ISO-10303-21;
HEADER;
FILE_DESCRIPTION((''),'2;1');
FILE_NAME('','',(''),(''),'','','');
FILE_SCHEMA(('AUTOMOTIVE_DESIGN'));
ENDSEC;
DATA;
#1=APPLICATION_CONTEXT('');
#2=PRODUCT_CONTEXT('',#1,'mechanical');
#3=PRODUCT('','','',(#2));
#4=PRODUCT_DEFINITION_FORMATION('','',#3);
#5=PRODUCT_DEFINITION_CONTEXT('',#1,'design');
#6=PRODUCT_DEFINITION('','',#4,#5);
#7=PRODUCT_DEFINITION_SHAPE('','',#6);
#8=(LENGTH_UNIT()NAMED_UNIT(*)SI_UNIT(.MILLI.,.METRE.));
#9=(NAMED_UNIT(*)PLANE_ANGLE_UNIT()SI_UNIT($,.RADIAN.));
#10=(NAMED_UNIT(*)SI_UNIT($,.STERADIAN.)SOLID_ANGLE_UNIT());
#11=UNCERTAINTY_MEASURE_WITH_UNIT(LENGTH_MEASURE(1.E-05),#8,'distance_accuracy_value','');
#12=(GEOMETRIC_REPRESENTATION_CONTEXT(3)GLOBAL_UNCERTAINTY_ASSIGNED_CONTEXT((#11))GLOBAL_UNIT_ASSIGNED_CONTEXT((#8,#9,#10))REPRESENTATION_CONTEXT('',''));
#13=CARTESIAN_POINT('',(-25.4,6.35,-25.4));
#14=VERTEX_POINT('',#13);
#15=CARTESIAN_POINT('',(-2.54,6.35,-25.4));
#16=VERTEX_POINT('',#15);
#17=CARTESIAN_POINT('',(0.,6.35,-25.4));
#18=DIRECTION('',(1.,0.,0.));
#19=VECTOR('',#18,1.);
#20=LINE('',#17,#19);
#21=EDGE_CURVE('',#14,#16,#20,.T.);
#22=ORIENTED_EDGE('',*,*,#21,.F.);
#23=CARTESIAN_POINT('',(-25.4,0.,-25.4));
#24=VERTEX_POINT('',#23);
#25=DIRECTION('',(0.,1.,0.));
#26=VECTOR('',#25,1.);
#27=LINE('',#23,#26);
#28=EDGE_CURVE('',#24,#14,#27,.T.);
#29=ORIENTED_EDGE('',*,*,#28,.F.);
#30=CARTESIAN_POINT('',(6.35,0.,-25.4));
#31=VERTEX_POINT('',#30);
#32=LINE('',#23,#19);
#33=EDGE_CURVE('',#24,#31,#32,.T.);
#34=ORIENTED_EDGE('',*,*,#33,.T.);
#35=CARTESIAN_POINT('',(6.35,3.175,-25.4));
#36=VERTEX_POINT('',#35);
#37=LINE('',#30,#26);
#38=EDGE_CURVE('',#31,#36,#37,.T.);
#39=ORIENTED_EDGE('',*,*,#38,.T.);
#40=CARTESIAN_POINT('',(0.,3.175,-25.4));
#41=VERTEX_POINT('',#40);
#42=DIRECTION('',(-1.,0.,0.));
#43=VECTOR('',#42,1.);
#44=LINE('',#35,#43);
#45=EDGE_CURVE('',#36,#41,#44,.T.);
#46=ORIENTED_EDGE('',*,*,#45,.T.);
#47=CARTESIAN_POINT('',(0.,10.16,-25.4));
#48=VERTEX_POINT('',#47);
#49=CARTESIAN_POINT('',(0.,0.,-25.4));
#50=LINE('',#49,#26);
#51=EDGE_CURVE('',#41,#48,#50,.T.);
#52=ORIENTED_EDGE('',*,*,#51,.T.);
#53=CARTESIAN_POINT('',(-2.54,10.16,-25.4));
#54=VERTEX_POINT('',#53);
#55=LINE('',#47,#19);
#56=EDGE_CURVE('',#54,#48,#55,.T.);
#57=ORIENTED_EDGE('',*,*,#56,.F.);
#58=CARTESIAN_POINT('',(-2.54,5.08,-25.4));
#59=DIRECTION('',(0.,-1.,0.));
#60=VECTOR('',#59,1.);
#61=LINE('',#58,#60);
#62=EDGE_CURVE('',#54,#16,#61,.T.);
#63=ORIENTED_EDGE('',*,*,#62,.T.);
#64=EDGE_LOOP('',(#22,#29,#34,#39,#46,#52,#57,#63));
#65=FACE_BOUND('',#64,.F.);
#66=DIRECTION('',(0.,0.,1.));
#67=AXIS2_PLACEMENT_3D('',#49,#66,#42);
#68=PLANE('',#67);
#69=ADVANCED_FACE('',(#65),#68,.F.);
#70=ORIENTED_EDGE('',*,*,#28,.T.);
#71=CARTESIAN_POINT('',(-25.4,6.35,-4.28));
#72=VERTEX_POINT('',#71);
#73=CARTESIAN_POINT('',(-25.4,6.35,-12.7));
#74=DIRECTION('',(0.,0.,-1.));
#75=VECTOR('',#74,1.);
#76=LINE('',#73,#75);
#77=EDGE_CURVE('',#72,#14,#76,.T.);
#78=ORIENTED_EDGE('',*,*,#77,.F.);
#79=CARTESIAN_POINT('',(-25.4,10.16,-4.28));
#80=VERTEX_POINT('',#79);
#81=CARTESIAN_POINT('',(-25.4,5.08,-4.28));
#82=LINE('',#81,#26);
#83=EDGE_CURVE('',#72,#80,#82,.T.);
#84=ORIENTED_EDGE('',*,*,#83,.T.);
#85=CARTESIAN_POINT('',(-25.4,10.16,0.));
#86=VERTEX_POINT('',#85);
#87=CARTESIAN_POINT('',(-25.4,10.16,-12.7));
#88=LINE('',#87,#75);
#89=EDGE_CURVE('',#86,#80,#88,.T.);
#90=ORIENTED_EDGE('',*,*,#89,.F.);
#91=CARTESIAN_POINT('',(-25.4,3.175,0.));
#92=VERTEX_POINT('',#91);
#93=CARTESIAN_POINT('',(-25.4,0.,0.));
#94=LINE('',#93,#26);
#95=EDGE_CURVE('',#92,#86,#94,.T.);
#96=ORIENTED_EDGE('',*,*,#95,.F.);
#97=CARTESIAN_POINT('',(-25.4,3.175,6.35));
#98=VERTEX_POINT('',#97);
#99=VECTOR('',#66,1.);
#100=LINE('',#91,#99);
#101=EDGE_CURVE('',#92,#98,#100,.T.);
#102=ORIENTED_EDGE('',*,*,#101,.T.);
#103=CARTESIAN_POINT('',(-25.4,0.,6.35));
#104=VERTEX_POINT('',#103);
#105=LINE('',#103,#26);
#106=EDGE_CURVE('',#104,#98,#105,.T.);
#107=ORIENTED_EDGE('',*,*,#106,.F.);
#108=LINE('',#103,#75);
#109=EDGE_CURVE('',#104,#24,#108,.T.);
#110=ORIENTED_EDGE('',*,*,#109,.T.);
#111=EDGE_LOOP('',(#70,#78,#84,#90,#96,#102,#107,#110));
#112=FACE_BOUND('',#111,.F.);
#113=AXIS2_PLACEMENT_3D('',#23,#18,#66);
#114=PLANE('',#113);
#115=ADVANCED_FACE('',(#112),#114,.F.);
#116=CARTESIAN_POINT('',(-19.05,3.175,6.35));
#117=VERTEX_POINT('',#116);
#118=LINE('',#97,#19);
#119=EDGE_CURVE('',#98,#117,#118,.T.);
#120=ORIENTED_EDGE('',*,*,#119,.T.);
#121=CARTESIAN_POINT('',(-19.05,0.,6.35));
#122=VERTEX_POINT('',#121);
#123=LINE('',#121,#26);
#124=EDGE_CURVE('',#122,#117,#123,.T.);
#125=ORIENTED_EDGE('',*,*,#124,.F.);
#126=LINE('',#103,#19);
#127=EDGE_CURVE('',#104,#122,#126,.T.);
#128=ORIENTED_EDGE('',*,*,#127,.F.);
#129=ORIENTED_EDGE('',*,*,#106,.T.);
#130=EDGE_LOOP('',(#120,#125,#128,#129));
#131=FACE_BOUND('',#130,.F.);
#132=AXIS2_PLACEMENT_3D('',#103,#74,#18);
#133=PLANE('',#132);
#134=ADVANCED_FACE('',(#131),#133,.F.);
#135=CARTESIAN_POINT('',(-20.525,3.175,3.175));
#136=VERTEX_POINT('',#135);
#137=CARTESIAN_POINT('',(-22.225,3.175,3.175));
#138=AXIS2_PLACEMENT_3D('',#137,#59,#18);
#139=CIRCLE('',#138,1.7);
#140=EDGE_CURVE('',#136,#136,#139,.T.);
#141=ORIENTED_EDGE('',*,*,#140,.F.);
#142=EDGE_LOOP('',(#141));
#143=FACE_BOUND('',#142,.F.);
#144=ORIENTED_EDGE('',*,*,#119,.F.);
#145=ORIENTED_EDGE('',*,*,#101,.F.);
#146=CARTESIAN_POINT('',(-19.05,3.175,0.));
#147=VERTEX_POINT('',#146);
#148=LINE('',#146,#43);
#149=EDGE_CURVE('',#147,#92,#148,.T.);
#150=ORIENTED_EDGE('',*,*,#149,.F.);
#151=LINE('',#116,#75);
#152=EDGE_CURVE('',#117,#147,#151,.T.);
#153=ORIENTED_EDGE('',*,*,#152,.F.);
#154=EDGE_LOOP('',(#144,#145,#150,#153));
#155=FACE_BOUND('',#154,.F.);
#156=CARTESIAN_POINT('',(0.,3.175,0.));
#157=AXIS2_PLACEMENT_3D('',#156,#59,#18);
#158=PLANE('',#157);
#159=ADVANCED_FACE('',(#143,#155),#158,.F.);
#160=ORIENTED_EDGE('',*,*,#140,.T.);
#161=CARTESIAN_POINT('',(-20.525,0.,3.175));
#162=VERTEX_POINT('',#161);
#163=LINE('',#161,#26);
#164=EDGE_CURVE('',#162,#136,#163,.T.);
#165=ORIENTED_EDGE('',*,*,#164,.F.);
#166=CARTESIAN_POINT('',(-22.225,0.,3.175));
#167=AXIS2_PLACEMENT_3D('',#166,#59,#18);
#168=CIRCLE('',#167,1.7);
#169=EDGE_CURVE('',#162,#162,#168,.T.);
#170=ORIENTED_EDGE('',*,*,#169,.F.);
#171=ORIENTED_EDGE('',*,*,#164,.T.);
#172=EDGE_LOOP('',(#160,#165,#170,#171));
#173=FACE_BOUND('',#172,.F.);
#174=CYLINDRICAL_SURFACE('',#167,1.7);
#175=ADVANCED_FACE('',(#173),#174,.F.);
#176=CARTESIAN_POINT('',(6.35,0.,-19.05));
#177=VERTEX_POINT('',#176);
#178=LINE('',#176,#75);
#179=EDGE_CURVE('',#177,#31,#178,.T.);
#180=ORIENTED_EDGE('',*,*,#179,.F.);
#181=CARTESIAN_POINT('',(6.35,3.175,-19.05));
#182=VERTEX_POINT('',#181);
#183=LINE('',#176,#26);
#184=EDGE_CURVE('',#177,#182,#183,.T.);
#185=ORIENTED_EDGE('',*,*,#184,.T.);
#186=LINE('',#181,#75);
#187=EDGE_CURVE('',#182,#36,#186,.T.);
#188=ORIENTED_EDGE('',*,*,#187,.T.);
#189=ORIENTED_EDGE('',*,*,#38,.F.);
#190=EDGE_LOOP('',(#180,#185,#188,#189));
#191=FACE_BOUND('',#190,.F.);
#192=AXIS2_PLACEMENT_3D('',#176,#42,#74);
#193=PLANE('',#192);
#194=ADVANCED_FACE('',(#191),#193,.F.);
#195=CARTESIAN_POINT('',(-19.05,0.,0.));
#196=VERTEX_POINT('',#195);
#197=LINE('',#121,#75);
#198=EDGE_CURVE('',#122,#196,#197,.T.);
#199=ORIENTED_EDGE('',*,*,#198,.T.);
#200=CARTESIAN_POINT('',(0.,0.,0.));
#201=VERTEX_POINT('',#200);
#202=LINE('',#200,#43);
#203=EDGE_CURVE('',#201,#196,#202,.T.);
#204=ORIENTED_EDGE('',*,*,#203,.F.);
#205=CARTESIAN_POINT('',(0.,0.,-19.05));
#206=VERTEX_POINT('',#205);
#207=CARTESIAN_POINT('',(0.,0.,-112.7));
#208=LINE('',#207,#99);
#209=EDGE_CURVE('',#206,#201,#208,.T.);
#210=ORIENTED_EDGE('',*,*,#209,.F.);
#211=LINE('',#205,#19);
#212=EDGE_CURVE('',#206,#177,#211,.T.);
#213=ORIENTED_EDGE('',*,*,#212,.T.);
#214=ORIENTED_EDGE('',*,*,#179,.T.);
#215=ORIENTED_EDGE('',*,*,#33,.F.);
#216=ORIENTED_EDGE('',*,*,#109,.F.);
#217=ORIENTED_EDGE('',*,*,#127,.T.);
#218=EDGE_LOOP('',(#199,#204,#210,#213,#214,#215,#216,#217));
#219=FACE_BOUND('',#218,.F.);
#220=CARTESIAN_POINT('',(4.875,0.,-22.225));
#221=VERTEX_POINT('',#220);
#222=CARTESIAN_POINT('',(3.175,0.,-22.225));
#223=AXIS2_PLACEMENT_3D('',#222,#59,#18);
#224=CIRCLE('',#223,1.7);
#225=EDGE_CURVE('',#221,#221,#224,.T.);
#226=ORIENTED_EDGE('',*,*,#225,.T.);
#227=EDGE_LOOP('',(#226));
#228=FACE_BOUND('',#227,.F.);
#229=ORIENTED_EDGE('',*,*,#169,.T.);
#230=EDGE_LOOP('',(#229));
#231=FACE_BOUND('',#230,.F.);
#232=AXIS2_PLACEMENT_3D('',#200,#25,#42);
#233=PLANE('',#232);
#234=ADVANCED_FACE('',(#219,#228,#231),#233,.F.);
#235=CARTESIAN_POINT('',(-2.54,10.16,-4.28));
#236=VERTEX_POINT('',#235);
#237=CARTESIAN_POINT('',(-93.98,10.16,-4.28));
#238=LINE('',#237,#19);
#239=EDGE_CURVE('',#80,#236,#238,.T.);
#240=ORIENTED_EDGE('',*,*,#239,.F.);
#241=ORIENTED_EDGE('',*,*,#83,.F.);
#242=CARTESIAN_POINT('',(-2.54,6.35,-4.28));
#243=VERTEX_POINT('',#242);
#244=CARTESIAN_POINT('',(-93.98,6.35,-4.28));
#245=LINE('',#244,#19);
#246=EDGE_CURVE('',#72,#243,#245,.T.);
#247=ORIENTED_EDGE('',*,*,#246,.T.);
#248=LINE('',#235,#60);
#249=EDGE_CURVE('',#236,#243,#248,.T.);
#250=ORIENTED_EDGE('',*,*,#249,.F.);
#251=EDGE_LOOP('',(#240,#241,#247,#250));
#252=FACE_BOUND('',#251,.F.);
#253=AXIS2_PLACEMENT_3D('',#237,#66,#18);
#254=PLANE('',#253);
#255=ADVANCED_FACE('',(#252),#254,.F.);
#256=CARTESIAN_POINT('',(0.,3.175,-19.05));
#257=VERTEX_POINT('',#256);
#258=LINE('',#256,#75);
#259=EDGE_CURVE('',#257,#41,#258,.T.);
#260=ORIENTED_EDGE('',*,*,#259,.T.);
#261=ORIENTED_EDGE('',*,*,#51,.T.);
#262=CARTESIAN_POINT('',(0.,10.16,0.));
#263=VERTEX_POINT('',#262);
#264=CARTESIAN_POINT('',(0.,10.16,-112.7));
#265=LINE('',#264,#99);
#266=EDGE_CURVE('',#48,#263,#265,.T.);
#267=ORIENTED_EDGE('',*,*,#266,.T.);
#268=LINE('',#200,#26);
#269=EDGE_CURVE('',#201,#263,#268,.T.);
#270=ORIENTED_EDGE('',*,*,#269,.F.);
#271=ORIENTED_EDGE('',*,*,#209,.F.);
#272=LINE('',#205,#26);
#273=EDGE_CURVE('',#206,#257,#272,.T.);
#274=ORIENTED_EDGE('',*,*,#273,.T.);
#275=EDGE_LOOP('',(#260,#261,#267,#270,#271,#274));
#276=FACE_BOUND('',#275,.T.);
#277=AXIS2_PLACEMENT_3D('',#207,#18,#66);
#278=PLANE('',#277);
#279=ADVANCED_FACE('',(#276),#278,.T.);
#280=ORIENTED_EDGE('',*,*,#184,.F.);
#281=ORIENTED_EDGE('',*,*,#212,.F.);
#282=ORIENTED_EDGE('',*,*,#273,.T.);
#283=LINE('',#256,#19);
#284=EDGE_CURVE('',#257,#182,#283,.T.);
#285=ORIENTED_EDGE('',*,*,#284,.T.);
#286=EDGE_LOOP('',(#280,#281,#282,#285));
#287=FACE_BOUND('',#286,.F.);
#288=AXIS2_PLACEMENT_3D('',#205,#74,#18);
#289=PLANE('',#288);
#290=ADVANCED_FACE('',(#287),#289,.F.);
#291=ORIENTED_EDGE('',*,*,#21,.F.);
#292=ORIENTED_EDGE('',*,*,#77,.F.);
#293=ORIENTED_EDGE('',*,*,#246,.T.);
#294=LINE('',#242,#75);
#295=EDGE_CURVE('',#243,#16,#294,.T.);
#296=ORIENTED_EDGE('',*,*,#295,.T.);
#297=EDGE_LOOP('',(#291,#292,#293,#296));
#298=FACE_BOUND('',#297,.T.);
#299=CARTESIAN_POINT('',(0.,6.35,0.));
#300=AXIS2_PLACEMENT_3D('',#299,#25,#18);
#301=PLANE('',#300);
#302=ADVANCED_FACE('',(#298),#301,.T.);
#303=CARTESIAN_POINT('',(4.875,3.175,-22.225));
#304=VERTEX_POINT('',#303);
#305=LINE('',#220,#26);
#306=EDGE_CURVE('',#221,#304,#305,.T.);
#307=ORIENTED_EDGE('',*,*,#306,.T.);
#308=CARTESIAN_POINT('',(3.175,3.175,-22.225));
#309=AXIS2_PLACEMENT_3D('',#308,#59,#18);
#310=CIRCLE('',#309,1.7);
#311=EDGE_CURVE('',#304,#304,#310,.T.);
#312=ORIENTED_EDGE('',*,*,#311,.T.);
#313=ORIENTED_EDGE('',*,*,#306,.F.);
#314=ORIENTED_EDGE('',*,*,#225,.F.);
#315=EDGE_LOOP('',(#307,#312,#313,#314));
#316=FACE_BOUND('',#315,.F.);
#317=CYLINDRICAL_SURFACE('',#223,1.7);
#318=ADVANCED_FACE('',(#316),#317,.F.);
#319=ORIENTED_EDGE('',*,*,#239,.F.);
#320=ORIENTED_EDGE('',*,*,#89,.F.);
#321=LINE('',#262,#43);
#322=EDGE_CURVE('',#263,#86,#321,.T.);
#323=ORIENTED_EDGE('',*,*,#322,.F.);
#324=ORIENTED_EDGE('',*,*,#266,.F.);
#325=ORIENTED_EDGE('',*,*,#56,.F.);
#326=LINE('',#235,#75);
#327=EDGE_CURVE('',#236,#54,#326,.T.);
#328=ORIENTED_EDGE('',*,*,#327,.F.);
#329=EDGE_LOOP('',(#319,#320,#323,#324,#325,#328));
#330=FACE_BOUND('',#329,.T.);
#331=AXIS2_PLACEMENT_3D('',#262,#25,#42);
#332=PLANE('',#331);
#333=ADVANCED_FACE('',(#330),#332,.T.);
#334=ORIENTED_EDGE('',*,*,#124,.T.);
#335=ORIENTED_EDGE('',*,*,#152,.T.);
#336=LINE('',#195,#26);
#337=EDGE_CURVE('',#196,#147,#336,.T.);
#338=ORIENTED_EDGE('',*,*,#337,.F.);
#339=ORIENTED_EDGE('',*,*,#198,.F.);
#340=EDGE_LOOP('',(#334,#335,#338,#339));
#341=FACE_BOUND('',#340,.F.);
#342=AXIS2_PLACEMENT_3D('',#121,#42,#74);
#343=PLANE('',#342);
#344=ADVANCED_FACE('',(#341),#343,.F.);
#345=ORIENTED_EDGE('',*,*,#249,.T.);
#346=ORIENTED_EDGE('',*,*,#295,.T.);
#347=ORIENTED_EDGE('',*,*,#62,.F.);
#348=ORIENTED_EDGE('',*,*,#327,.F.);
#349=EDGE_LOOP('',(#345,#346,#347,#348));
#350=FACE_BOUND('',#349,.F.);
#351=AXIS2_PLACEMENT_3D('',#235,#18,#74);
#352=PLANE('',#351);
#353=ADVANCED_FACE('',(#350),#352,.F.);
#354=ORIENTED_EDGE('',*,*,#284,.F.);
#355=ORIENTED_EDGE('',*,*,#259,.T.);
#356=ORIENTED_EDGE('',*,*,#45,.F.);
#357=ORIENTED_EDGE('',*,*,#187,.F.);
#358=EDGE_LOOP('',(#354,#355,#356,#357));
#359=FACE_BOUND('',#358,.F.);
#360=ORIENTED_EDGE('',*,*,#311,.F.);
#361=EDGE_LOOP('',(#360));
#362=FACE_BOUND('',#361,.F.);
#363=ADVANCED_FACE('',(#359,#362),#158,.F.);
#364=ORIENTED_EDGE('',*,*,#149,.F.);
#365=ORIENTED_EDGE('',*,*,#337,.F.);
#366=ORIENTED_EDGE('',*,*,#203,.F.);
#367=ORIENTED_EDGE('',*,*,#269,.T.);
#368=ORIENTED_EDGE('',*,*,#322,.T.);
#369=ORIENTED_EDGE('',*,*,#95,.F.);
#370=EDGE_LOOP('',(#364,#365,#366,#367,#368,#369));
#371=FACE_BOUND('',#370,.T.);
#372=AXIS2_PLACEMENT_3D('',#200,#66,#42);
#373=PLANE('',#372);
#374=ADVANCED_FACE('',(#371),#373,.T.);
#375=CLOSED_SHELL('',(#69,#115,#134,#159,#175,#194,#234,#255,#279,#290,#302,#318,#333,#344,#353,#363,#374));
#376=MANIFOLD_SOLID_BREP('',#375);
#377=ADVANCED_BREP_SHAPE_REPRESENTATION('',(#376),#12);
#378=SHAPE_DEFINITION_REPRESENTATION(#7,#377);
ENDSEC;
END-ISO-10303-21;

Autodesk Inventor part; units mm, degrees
ref_plane "YZ Plane" through (0, 0, 0) normal (1, 0, 0) x (0, 1, 0)
ref_plane "XZ Plane" through (0, 0, 0) normal (0, 1, 0) x (-1, 0, 0)
ref_plane "XY Plane" through (0, 0, 0) normal (0, 0, 1) x (1, 0, 0)
sketch "Sketch1" plane through (0, 0, 0) normal (0, 1, 0) x (-1, 0, 0)
  line L0 (0, 0) -> (96.52, 0)
  line L1 (96.52, 0) -> (96.52, -112.7)
  line L2 (96.52, -112.7) -> (0, -112.7)
  line L3 (0, -112.7) -> (0, 0)
  dimension "d0" = 96.52
  dimension "d1" = 112.7
extrude "Extrusion1" add sketch "Sketch1" along normal blind 10.16
sketch "Sketch2" plane through (0, 10.16, 0) normal (0, 1, 0) x (1, 0, 0)
  line L0 (-96.52, 112.7) -> (-96.52, 0) construction
  line L1 (0, 0) -> (0, 112.7) construction
  line L2 (-96.52, 0) -> (0, 112.7) construction
  line L3 (0, 112.7) -> (-96.52, 112.7) construction
  line L4 (-96.52, 112.7) -> (0, 0) construction
  line L5 (-93.98, 4.28) -> (-2.54, 4.28)
  line L6 (-2.54, 4.28) -> (-2.54, 108.42)
  line L7 (-2.54, 108.42) -> (-93.98, 108.42)
  line L8 (-93.98, 108.42) -> (-93.98, 4.28)
  line L9 (-93.98, 4.28) -> (-2.54, 108.42) construction
  line L10 (-2.54, 4.28) -> (-93.98, 108.42) construction
  point P0 (-48.26, 56.35)
  dimension "d4" = 91.44
  dimension "d5" = 104.14
extrude "Jetson Cavity" cut sketch "Sketch2" against normal blind 3.81
sketch "Sketch3" plane through (0, 0, 0) normal (0, -1, 0) x (1, 0, 0)
  line L0 (0, -19.05) -> (6.35, -19.05)
  line L1 (6.35, -19.05) -> (6.35, -25.4)
  line L2 (6.35, -25.4) -> (0, -25.4)
  circle A0 centre (3.175, -22.225) radius 1.7
  line L3 (6.35, -19.05) -> (0, -25.4) construction
  line L4 (-48.26, -112.7) -> (-48.26, 0) construction
  line L5 (-96.52, 0) -> (0, 0) construction
  line L6 (0, 0) -> (25.5083, 0) construction
  line L7 (6.35, -25.4) -> (0, -19.05) construction
  line L8 (-96.52, 0) -> (-96.52, -112.7) construction
  line L9 (0, -56.35) -> (-96.52, -56.35) construction
  line L10 (-96.52, -112.7) -> (-96.52, 0) construction
  line L11 (0, -19.05) -> (0, -25.4)
  line L12 (-96.52, -19.05) -> (-102.87, -19.05)
  line L13 (-102.87, -19.05) -> (-102.87, -25.4)
  line L14 (-102.87, -25.4) -> (-96.52, -25.4)
  circle A1 centre (-99.695, -22.225) radius 1.7
  line L15 (-102.87, -19.05) -> (-96.52, -25.4) construction
  line L16 (-102.87, -25.4) -> (-96.52, -19.05) construction
  line L17 (-96.52, -19.05) -> (-96.52, -25.4)
  line L18 (0, -93.65) -> (6.35, -93.65)
  line L19 (6.35, -93.65) -> (6.35, -87.3)
  line L20 (6.35, -87.3) -> (0, -87.3)
  circle A2 centre (3.175, -90.475) radius 1.7
  line L21 (6.35, -93.65) -> (0, -87.3) construction
  line L22 (6.35, -87.3) -> (0, -93.65) construction
  line L23 (0, -93.65) -> (0, -87.3)
  line L24 (-96.52, -93.65) -> (-102.87, -93.65)
  line L25 (-102.87, -93.65) -> (-102.87, -87.3)
  line L26 (-102.87, -87.3) -> (-96.52, -87.3)
  circle A3 centre (-99.695, -90.475) radius 1.7
  line L27 (-102.87, -93.65) -> (-96.52, -87.3) construction
  line L28 (-102.87, -87.3) -> (-96.52, -93.65) construction
  line L29 (-96.52, -93.65) -> (-96.52, -87.3)
  line L30 (0, 0) -> (0, -112.7) projected
  line L31 (-19.05, 0) -> (-25.4, 0)
  line L32 (-25.4, 0) -> (-25.4, 6.35)
  line L33 (-25.4, 6.35) -> (-19.05, 6.35)
  line L34 (-19.05, 6.35) -> (-19.05, 0)
  line L35 (-19.05, 0) -> (-25.4, 6.35) construction
  line L36 (-25.4, 0) -> (-19.05, 6.35) construction
  circle A4 centre (-22.225, 3.175) radius 1.7
  line L37 (0, 0) -> (-96.52, 0) construction
  line L38 (-77.47, 0) -> (-71.12, 0)
  line L39 (-71.12, 0) -> (-71.12, 6.35)
  line L40 (-71.12, 6.35) -> (-77.47, 6.35)
  line L41 (-77.47, 6.35) -> (-77.47, 0)
  line L42 (-77.47, 0) -> (-71.12, 6.35) construction
  line L43 (-71.12, 0) -> (-77.47, 6.35) construction
  circle A5 centre (-74.295, 3.175) radius 1.7
  line L44 (-96.52, -112.7) -> (0, -112.7) construction
  line L45 (-19.05, -112.7) -> (-25.4, -112.7)
  line L46 (-25.4, -112.7) -> (-25.4, -119.05)
  line L47 (-25.4, -119.05) -> (-19.05, -119.05)
  line L48 (-19.05, -119.05) -> (-19.05, -112.7)
  line L49 (-19.05, -112.7) -> (-25.4, -119.05) construction
  line L50 (-25.4, -112.7) -> (-19.05, -119.05) construction
  circle A6 centre (-22.225, -115.875) radius 1.7
  line L51 (0, -112.7) -> (-96.52, -112.7) construction
  line L52 (-77.47, -119.05) -> (-77.47, -112.7)
  line L53 (-71.12, -112.7) -> (-71.12, -119.05)
  line L54 (-71.12, -119.05) -> (-77.47, -119.05)
  line L55 (-77.47, -112.7) -> (-71.12, -119.05) construction
  line L56 (-71.12, -112.7) -> (-77.47, -119.05) construction
  line L57 (-77.47, -112.7) -> (-71.12, -112.7)
  circle A7 centre (-74.295, -115.875) radius 1.7
  point P0 (3.175, -22.225)
  point P1 (-22.225, 3.175)
  point P2 (-74.295, 3.175)
  point P3 (3.175, -90.475)
  point P4 (-99.695, -90.475)
  point P5 (-74.295, 3.175)
  dimension "d9" = 6.35
  dimension "d10" = 3.4
  dimension "d28" = 19.05
  dimension "d30" = 6.35
  dimension "d31" = 6.35
  dimension "d32" = 6.35
  dimension "d33" = 3.4
  dimension "d34" = 19.05
  dimension "d38" = 68.25
  dimension "d39" = 52.07
  dimension "d40" = 102.87
  dimension "d41" = 119.05
extrude "Screws" add sketch "Sketch3" against normal blind 3.175
sketch "Sketch5" plane through (0, 0, 0) normal (0, -1, 0) x (1, 0, 0)
  line L0 (-96.52, 0) -> (0, 0) projected
  line L1 (0, 0) -> (0, -112.7) projected
  line L2 (-25.4, 6.35) -> (6.35, 6.35)
  line L3 (6.35, 6.35) -> (6.35, -25.4)
  line L4 (6.35, -25.4) -> (-25.4, -25.4)
  line L5 (-25.4, -25.4) -> (-25.4, 6.35)
  line L6 (-19.05, 6.35) -> (-25.4, 6.35) projected
  line L7 (6.35, -25.4) -> (6.35, -19.05) projected
  line L8 (6.35, 6.35) -> (-102.87, 6.35)
  line L9 (-102.87, 6.35) -> (-102.87, -119.05)
  line L10 (-102.87, -119.05) -> (6.35, -119.05)
  line L11 (6.35, -119.05) -> (6.35, 6.35)
  line L12 (-77.47, -119.05) -> (-71.12, -119.05) projected
  line L13 (-102.87, -87.3) -> (-102.87, -93.65) projected
  point P0 (6.35, -112.7)
  point P1 (0, -106.35)
  dimension "d35" = 25.4
  dimension "d37" = 25.4
extrude "Extrusion5" cut sketch "Sketch5" against normal through all contours L5 L4 L11 L10 L9 L8
equation "\"d10\" = m3_clearance"
equation "\"d33\" = m3_clearance"
equation "\"m3_heat_set_insert\" = 4"
equation "\"m3_clearance\" = 3.4"
equation "\"m3_heat_set_depth\" = 7"
equation "\"robot_diameter\" = 354"
equation "\"hardboard_thickness\" = 5"
properties part number "jetson_orin_nano_holder_corner"
